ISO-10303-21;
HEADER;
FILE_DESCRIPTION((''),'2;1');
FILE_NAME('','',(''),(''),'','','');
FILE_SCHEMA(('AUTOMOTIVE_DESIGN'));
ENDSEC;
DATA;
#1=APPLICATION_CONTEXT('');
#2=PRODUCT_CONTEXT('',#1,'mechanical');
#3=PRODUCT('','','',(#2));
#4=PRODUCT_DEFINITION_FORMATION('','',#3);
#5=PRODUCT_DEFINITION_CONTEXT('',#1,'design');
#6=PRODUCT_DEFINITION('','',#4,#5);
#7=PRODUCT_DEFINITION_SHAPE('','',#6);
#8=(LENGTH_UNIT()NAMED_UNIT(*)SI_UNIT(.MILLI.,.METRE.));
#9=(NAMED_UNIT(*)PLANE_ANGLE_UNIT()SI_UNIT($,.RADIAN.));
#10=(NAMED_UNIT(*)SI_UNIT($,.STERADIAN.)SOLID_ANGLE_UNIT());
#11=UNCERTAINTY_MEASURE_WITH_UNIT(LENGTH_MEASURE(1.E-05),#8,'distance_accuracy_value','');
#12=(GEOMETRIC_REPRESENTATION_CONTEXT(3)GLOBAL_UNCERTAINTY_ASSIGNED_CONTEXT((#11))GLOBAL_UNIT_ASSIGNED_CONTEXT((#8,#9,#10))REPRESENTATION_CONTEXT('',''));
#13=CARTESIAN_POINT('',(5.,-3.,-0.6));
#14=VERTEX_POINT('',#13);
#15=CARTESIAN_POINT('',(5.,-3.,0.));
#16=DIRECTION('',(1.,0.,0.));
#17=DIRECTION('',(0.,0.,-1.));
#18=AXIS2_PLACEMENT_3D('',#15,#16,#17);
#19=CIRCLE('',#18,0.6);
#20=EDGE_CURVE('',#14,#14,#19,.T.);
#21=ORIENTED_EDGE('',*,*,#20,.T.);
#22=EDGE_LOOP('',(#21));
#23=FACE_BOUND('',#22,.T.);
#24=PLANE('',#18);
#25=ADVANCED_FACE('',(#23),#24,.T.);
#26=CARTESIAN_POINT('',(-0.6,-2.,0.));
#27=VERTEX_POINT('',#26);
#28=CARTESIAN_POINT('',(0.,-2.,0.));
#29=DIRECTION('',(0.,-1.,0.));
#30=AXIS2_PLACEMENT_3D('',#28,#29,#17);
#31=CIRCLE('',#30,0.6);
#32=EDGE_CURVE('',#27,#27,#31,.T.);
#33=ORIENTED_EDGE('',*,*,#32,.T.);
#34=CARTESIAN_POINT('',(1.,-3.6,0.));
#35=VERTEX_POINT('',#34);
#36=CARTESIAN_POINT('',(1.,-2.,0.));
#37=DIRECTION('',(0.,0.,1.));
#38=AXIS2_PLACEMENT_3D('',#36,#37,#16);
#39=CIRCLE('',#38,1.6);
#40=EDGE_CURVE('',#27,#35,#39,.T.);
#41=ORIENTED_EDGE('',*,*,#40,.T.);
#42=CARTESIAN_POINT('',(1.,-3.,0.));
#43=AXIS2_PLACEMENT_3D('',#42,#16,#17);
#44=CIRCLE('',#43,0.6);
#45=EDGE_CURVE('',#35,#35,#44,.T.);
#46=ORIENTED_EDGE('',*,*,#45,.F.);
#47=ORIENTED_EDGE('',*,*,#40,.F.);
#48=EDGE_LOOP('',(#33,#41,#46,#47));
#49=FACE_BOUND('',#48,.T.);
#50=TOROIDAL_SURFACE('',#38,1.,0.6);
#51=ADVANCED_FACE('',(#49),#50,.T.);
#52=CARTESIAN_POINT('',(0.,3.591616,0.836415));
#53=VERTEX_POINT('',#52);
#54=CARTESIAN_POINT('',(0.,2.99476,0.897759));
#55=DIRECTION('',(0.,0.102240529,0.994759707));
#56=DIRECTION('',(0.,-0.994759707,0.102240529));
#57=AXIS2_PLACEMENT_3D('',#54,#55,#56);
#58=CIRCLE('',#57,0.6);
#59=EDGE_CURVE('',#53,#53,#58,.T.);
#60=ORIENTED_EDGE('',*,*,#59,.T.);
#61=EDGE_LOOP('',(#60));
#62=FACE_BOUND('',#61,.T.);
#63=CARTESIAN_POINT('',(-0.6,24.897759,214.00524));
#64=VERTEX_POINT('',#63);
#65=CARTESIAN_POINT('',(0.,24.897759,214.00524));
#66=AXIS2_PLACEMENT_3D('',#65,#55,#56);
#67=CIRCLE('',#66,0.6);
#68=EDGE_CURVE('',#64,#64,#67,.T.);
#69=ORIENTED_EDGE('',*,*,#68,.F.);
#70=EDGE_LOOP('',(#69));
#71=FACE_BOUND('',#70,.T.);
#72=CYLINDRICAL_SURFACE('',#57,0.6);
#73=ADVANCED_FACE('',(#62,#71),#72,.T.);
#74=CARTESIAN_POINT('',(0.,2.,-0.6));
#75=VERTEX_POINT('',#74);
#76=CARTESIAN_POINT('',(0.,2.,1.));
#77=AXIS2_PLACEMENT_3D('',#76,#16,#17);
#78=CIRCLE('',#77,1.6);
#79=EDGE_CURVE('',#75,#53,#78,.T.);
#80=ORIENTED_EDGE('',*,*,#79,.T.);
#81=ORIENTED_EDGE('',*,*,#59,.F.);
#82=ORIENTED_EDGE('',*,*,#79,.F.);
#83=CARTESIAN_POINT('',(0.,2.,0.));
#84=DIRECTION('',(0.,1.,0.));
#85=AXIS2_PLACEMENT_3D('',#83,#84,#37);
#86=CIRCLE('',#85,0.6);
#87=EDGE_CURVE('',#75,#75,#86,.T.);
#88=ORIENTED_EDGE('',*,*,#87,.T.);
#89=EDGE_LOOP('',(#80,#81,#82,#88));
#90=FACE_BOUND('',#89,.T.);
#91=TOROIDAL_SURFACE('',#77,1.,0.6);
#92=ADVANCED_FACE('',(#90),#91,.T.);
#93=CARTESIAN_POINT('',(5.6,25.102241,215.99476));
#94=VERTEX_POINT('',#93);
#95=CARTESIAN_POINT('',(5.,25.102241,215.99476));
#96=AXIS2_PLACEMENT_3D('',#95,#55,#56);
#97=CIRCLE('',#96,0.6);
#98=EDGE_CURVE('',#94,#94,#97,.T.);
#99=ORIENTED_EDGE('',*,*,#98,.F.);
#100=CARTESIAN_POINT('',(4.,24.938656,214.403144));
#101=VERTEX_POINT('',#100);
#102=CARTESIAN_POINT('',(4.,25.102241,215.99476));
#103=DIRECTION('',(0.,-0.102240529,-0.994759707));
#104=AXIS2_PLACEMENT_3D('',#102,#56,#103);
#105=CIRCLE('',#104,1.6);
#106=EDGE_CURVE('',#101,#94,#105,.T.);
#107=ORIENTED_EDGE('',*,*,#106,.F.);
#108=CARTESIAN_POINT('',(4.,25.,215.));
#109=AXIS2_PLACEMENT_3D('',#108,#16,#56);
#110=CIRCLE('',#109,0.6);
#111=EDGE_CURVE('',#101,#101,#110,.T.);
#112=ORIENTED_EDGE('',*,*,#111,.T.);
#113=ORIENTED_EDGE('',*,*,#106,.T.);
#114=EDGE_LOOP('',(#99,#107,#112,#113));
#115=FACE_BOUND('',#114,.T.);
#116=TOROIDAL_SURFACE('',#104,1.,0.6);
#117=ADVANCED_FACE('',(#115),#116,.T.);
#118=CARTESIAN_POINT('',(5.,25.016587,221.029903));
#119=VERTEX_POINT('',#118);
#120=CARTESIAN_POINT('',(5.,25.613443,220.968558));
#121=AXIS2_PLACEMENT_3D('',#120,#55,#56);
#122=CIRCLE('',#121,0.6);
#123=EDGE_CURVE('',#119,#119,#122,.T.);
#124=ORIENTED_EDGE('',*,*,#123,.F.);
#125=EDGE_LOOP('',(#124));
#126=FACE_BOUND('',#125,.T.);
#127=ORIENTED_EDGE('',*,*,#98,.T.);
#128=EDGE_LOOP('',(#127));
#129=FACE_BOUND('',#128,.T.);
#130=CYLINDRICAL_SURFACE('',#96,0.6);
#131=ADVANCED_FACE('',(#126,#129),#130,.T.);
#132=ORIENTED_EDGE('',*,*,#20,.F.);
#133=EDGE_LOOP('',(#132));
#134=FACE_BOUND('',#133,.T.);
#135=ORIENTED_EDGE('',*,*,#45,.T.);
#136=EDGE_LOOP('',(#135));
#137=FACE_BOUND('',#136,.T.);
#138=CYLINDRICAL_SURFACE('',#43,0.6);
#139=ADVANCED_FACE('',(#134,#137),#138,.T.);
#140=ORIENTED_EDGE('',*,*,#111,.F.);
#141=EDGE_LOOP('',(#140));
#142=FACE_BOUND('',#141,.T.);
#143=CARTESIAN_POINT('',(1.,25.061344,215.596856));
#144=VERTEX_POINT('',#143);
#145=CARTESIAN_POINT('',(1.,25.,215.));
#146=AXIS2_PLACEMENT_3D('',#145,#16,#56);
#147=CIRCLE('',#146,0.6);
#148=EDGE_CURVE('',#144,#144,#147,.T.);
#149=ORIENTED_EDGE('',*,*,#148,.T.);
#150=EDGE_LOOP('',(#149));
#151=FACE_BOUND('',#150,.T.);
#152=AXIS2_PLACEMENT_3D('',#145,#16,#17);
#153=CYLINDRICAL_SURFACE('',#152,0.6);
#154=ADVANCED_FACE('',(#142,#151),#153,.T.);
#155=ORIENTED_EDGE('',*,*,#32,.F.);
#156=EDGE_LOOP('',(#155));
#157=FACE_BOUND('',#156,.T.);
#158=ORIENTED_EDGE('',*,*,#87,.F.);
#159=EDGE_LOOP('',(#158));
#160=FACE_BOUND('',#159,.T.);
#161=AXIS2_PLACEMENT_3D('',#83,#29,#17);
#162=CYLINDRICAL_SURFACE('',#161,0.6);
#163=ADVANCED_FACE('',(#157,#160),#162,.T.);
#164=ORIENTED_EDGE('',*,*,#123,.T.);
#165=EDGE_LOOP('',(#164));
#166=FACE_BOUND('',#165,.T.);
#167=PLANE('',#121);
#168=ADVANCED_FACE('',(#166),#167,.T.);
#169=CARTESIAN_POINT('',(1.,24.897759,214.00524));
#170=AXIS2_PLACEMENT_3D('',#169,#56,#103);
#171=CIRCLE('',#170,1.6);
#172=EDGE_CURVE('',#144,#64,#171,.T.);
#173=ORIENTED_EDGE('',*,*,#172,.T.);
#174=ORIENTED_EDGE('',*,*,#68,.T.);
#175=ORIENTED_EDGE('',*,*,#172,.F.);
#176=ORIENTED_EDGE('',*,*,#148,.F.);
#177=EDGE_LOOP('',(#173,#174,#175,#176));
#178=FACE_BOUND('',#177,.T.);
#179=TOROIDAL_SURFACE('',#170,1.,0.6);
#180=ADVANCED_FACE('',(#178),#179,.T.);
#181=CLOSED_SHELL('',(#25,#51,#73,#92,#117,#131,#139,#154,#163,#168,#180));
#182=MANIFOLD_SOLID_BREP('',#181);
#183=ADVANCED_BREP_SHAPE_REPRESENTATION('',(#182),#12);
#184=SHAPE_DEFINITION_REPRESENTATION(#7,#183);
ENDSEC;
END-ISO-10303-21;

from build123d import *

# Parameters (mm, degrees)
SKETCH2_R  = 0.6
SKETCH6_R  = 0.6
SKETCH10_R = 0.6


with BuildPart() as part:
    # Sweep1: sweep along a path in Sketch1
    with BuildLine(Plane(origin=(0, 0, 0), x_dir=(0, 0, -1), z_dir=(1, 0, 0))) as sweep1_path:
        Line((0, 0), (0, 2))
        ThreePointArc((0, 2), (-0.257625253, 2.669984877), (-0.897759471, 2.994759707))
        Line((-0.897759471, 2.994759707), (-214.005240293, 24.897759471))
    # Sketch2 → Sweep1 (sweep)
    with BuildSketch(Plane(origin=(0, 0, 0), x_dir=(1, 0, 0), z_dir=(0, 1, 0))):
        Circle(SKETCH2_R)
    sweep(path=sweep1_path.line)

    # Sweep3: sweep along a path in Sketch4
    with BuildLine(Plane.XY) as sweep3_path:
        Line((0, 0), (0, -2))
        ThreePointArc((0, -2), (0.292893219, -2.707106781), (1, -3))
        Line((1, -3), (5, -3))
    # Sketch6 → Sweep3 (sweep)
    with BuildSketch(Plane.XZ):
        Circle(SKETCH6_R)
    sweep(path=sweep3_path.line)

    # Sweep4: sweep along a path in Sketch9
    with BuildLine(Plane(origin=(0, 2.872148696, -0.295196921), x_dir=(1, 0, 0), z_dir=(0, -0.994759707, 0.102240529))) as sweep4_path:
        Line((5, 222.429350183), (5, 217.429350183))
        ThreePointArc((5, 217.429350183), (4.707106781, 216.722243402), (4, 216.429350183))
        Line((4, 216.429350183), (1, 216.429350183))
        ThreePointArc((1, 216.429350183), (0.292893219, 216.136456964), (0, 215.429350183))
    # Sketch10 → Sweep4 (sweep)
    with BuildSketch(Plane(origin=(0, 22.025610775, 214.300437214), x_dir=(1, 0, 0), z_dir=(0, 0.102240529, 0.994759707))):
        with Locations((0, 2.887278884)):
            Circle(SKETCH10_R)
    sweep(path=sweep4_path.line)


solid = part.part
